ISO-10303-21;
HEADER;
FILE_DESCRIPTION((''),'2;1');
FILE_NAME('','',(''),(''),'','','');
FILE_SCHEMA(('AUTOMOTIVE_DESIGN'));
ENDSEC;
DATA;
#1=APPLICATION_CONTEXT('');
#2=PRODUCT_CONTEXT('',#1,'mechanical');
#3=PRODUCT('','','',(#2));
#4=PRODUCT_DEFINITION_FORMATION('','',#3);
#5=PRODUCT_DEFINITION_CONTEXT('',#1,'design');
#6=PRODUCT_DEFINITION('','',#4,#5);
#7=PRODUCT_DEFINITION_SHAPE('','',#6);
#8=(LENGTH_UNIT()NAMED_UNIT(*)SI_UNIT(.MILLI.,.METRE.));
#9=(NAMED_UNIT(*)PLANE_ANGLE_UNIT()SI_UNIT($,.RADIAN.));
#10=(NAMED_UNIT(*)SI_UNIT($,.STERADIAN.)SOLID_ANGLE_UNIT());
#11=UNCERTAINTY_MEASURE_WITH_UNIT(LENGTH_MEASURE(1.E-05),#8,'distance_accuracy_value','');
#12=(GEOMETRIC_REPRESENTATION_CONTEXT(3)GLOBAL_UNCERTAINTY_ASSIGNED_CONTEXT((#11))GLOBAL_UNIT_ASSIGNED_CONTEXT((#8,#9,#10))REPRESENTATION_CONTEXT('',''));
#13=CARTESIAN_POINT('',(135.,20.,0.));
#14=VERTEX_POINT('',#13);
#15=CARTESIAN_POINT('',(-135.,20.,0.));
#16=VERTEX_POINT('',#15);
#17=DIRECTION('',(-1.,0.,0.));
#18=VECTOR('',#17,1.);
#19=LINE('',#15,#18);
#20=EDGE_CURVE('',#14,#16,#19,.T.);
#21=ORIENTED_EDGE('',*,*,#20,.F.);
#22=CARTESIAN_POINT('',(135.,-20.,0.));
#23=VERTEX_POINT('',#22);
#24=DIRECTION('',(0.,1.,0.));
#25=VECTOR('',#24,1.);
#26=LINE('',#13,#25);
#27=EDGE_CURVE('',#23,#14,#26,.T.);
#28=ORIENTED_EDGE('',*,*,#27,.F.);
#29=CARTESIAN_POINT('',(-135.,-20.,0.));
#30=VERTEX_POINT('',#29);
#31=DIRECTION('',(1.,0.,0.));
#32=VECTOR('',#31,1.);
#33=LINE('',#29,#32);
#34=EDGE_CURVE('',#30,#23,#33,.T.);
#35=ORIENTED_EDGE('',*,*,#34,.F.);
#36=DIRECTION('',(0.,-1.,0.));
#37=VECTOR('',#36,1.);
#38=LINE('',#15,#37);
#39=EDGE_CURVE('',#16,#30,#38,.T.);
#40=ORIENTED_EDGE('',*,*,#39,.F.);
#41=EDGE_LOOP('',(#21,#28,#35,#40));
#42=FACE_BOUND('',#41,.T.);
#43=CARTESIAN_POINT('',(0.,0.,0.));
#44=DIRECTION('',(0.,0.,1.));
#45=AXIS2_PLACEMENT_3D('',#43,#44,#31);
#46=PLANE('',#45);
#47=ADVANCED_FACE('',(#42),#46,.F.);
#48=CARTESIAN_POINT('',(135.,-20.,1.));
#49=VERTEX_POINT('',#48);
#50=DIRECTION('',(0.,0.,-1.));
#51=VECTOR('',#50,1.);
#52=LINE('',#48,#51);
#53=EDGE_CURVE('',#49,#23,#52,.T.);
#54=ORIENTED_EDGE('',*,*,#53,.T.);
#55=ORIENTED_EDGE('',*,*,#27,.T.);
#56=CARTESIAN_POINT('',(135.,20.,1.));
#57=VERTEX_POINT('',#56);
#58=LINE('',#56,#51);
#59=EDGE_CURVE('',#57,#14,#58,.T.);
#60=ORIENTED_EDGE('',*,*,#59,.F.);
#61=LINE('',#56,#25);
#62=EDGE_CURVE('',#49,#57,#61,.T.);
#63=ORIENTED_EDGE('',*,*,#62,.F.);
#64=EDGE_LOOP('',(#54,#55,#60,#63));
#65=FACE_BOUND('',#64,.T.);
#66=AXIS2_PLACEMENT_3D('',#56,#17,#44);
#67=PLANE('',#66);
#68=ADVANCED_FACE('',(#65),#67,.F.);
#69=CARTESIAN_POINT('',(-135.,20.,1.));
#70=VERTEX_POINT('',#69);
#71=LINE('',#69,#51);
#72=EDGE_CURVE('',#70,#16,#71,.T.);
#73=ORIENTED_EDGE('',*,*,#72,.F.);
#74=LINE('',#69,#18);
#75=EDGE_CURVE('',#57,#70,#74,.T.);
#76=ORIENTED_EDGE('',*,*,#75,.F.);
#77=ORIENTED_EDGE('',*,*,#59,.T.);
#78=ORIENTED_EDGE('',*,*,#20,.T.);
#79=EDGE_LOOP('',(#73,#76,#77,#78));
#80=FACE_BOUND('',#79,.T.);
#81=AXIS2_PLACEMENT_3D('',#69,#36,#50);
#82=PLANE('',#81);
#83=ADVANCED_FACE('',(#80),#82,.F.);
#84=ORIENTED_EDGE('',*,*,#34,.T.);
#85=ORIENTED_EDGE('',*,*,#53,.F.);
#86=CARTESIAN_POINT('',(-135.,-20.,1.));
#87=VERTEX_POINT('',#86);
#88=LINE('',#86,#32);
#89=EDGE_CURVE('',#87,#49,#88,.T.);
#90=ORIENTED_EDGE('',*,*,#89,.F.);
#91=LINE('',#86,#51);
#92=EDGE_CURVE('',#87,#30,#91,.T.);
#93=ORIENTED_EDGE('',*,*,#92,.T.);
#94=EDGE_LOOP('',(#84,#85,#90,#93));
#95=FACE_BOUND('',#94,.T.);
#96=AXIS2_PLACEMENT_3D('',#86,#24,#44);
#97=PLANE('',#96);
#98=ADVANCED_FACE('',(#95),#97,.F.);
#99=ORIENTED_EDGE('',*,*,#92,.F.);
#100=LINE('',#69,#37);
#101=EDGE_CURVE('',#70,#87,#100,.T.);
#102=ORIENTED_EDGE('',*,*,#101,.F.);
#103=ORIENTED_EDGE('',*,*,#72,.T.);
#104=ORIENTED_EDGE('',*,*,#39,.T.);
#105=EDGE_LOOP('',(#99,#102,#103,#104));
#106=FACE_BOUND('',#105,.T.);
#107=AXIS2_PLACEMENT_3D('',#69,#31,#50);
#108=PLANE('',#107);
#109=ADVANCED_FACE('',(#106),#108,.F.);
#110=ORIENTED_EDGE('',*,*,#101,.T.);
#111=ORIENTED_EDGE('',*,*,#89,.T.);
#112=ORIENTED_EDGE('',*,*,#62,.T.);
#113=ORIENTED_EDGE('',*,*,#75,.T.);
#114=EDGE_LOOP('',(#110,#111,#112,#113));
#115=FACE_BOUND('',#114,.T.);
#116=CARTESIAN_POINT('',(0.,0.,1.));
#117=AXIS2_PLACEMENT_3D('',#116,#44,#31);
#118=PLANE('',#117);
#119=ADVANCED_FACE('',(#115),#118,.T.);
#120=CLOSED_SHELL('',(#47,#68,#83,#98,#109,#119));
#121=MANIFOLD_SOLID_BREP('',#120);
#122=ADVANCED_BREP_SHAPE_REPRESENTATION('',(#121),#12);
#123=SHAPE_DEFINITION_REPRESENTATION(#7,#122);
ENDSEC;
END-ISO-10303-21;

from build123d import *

# Parameters (mm, degrees)
ESQUISSE1_W        = 270
ESQUISSE1_H        = 40
BOSS_EXTRU_1_DEPTH = 1


with BuildPart() as part:
    # Esquisse1 → Boss.-Extru.1 (new body)
    with BuildSketch(Plane.XY):
        Rectangle(ESQUISSE1_W, ESQUISSE1_H)
    extrude(amount=BOSS_EXTRU_1_DEPTH)


solid = part.part
